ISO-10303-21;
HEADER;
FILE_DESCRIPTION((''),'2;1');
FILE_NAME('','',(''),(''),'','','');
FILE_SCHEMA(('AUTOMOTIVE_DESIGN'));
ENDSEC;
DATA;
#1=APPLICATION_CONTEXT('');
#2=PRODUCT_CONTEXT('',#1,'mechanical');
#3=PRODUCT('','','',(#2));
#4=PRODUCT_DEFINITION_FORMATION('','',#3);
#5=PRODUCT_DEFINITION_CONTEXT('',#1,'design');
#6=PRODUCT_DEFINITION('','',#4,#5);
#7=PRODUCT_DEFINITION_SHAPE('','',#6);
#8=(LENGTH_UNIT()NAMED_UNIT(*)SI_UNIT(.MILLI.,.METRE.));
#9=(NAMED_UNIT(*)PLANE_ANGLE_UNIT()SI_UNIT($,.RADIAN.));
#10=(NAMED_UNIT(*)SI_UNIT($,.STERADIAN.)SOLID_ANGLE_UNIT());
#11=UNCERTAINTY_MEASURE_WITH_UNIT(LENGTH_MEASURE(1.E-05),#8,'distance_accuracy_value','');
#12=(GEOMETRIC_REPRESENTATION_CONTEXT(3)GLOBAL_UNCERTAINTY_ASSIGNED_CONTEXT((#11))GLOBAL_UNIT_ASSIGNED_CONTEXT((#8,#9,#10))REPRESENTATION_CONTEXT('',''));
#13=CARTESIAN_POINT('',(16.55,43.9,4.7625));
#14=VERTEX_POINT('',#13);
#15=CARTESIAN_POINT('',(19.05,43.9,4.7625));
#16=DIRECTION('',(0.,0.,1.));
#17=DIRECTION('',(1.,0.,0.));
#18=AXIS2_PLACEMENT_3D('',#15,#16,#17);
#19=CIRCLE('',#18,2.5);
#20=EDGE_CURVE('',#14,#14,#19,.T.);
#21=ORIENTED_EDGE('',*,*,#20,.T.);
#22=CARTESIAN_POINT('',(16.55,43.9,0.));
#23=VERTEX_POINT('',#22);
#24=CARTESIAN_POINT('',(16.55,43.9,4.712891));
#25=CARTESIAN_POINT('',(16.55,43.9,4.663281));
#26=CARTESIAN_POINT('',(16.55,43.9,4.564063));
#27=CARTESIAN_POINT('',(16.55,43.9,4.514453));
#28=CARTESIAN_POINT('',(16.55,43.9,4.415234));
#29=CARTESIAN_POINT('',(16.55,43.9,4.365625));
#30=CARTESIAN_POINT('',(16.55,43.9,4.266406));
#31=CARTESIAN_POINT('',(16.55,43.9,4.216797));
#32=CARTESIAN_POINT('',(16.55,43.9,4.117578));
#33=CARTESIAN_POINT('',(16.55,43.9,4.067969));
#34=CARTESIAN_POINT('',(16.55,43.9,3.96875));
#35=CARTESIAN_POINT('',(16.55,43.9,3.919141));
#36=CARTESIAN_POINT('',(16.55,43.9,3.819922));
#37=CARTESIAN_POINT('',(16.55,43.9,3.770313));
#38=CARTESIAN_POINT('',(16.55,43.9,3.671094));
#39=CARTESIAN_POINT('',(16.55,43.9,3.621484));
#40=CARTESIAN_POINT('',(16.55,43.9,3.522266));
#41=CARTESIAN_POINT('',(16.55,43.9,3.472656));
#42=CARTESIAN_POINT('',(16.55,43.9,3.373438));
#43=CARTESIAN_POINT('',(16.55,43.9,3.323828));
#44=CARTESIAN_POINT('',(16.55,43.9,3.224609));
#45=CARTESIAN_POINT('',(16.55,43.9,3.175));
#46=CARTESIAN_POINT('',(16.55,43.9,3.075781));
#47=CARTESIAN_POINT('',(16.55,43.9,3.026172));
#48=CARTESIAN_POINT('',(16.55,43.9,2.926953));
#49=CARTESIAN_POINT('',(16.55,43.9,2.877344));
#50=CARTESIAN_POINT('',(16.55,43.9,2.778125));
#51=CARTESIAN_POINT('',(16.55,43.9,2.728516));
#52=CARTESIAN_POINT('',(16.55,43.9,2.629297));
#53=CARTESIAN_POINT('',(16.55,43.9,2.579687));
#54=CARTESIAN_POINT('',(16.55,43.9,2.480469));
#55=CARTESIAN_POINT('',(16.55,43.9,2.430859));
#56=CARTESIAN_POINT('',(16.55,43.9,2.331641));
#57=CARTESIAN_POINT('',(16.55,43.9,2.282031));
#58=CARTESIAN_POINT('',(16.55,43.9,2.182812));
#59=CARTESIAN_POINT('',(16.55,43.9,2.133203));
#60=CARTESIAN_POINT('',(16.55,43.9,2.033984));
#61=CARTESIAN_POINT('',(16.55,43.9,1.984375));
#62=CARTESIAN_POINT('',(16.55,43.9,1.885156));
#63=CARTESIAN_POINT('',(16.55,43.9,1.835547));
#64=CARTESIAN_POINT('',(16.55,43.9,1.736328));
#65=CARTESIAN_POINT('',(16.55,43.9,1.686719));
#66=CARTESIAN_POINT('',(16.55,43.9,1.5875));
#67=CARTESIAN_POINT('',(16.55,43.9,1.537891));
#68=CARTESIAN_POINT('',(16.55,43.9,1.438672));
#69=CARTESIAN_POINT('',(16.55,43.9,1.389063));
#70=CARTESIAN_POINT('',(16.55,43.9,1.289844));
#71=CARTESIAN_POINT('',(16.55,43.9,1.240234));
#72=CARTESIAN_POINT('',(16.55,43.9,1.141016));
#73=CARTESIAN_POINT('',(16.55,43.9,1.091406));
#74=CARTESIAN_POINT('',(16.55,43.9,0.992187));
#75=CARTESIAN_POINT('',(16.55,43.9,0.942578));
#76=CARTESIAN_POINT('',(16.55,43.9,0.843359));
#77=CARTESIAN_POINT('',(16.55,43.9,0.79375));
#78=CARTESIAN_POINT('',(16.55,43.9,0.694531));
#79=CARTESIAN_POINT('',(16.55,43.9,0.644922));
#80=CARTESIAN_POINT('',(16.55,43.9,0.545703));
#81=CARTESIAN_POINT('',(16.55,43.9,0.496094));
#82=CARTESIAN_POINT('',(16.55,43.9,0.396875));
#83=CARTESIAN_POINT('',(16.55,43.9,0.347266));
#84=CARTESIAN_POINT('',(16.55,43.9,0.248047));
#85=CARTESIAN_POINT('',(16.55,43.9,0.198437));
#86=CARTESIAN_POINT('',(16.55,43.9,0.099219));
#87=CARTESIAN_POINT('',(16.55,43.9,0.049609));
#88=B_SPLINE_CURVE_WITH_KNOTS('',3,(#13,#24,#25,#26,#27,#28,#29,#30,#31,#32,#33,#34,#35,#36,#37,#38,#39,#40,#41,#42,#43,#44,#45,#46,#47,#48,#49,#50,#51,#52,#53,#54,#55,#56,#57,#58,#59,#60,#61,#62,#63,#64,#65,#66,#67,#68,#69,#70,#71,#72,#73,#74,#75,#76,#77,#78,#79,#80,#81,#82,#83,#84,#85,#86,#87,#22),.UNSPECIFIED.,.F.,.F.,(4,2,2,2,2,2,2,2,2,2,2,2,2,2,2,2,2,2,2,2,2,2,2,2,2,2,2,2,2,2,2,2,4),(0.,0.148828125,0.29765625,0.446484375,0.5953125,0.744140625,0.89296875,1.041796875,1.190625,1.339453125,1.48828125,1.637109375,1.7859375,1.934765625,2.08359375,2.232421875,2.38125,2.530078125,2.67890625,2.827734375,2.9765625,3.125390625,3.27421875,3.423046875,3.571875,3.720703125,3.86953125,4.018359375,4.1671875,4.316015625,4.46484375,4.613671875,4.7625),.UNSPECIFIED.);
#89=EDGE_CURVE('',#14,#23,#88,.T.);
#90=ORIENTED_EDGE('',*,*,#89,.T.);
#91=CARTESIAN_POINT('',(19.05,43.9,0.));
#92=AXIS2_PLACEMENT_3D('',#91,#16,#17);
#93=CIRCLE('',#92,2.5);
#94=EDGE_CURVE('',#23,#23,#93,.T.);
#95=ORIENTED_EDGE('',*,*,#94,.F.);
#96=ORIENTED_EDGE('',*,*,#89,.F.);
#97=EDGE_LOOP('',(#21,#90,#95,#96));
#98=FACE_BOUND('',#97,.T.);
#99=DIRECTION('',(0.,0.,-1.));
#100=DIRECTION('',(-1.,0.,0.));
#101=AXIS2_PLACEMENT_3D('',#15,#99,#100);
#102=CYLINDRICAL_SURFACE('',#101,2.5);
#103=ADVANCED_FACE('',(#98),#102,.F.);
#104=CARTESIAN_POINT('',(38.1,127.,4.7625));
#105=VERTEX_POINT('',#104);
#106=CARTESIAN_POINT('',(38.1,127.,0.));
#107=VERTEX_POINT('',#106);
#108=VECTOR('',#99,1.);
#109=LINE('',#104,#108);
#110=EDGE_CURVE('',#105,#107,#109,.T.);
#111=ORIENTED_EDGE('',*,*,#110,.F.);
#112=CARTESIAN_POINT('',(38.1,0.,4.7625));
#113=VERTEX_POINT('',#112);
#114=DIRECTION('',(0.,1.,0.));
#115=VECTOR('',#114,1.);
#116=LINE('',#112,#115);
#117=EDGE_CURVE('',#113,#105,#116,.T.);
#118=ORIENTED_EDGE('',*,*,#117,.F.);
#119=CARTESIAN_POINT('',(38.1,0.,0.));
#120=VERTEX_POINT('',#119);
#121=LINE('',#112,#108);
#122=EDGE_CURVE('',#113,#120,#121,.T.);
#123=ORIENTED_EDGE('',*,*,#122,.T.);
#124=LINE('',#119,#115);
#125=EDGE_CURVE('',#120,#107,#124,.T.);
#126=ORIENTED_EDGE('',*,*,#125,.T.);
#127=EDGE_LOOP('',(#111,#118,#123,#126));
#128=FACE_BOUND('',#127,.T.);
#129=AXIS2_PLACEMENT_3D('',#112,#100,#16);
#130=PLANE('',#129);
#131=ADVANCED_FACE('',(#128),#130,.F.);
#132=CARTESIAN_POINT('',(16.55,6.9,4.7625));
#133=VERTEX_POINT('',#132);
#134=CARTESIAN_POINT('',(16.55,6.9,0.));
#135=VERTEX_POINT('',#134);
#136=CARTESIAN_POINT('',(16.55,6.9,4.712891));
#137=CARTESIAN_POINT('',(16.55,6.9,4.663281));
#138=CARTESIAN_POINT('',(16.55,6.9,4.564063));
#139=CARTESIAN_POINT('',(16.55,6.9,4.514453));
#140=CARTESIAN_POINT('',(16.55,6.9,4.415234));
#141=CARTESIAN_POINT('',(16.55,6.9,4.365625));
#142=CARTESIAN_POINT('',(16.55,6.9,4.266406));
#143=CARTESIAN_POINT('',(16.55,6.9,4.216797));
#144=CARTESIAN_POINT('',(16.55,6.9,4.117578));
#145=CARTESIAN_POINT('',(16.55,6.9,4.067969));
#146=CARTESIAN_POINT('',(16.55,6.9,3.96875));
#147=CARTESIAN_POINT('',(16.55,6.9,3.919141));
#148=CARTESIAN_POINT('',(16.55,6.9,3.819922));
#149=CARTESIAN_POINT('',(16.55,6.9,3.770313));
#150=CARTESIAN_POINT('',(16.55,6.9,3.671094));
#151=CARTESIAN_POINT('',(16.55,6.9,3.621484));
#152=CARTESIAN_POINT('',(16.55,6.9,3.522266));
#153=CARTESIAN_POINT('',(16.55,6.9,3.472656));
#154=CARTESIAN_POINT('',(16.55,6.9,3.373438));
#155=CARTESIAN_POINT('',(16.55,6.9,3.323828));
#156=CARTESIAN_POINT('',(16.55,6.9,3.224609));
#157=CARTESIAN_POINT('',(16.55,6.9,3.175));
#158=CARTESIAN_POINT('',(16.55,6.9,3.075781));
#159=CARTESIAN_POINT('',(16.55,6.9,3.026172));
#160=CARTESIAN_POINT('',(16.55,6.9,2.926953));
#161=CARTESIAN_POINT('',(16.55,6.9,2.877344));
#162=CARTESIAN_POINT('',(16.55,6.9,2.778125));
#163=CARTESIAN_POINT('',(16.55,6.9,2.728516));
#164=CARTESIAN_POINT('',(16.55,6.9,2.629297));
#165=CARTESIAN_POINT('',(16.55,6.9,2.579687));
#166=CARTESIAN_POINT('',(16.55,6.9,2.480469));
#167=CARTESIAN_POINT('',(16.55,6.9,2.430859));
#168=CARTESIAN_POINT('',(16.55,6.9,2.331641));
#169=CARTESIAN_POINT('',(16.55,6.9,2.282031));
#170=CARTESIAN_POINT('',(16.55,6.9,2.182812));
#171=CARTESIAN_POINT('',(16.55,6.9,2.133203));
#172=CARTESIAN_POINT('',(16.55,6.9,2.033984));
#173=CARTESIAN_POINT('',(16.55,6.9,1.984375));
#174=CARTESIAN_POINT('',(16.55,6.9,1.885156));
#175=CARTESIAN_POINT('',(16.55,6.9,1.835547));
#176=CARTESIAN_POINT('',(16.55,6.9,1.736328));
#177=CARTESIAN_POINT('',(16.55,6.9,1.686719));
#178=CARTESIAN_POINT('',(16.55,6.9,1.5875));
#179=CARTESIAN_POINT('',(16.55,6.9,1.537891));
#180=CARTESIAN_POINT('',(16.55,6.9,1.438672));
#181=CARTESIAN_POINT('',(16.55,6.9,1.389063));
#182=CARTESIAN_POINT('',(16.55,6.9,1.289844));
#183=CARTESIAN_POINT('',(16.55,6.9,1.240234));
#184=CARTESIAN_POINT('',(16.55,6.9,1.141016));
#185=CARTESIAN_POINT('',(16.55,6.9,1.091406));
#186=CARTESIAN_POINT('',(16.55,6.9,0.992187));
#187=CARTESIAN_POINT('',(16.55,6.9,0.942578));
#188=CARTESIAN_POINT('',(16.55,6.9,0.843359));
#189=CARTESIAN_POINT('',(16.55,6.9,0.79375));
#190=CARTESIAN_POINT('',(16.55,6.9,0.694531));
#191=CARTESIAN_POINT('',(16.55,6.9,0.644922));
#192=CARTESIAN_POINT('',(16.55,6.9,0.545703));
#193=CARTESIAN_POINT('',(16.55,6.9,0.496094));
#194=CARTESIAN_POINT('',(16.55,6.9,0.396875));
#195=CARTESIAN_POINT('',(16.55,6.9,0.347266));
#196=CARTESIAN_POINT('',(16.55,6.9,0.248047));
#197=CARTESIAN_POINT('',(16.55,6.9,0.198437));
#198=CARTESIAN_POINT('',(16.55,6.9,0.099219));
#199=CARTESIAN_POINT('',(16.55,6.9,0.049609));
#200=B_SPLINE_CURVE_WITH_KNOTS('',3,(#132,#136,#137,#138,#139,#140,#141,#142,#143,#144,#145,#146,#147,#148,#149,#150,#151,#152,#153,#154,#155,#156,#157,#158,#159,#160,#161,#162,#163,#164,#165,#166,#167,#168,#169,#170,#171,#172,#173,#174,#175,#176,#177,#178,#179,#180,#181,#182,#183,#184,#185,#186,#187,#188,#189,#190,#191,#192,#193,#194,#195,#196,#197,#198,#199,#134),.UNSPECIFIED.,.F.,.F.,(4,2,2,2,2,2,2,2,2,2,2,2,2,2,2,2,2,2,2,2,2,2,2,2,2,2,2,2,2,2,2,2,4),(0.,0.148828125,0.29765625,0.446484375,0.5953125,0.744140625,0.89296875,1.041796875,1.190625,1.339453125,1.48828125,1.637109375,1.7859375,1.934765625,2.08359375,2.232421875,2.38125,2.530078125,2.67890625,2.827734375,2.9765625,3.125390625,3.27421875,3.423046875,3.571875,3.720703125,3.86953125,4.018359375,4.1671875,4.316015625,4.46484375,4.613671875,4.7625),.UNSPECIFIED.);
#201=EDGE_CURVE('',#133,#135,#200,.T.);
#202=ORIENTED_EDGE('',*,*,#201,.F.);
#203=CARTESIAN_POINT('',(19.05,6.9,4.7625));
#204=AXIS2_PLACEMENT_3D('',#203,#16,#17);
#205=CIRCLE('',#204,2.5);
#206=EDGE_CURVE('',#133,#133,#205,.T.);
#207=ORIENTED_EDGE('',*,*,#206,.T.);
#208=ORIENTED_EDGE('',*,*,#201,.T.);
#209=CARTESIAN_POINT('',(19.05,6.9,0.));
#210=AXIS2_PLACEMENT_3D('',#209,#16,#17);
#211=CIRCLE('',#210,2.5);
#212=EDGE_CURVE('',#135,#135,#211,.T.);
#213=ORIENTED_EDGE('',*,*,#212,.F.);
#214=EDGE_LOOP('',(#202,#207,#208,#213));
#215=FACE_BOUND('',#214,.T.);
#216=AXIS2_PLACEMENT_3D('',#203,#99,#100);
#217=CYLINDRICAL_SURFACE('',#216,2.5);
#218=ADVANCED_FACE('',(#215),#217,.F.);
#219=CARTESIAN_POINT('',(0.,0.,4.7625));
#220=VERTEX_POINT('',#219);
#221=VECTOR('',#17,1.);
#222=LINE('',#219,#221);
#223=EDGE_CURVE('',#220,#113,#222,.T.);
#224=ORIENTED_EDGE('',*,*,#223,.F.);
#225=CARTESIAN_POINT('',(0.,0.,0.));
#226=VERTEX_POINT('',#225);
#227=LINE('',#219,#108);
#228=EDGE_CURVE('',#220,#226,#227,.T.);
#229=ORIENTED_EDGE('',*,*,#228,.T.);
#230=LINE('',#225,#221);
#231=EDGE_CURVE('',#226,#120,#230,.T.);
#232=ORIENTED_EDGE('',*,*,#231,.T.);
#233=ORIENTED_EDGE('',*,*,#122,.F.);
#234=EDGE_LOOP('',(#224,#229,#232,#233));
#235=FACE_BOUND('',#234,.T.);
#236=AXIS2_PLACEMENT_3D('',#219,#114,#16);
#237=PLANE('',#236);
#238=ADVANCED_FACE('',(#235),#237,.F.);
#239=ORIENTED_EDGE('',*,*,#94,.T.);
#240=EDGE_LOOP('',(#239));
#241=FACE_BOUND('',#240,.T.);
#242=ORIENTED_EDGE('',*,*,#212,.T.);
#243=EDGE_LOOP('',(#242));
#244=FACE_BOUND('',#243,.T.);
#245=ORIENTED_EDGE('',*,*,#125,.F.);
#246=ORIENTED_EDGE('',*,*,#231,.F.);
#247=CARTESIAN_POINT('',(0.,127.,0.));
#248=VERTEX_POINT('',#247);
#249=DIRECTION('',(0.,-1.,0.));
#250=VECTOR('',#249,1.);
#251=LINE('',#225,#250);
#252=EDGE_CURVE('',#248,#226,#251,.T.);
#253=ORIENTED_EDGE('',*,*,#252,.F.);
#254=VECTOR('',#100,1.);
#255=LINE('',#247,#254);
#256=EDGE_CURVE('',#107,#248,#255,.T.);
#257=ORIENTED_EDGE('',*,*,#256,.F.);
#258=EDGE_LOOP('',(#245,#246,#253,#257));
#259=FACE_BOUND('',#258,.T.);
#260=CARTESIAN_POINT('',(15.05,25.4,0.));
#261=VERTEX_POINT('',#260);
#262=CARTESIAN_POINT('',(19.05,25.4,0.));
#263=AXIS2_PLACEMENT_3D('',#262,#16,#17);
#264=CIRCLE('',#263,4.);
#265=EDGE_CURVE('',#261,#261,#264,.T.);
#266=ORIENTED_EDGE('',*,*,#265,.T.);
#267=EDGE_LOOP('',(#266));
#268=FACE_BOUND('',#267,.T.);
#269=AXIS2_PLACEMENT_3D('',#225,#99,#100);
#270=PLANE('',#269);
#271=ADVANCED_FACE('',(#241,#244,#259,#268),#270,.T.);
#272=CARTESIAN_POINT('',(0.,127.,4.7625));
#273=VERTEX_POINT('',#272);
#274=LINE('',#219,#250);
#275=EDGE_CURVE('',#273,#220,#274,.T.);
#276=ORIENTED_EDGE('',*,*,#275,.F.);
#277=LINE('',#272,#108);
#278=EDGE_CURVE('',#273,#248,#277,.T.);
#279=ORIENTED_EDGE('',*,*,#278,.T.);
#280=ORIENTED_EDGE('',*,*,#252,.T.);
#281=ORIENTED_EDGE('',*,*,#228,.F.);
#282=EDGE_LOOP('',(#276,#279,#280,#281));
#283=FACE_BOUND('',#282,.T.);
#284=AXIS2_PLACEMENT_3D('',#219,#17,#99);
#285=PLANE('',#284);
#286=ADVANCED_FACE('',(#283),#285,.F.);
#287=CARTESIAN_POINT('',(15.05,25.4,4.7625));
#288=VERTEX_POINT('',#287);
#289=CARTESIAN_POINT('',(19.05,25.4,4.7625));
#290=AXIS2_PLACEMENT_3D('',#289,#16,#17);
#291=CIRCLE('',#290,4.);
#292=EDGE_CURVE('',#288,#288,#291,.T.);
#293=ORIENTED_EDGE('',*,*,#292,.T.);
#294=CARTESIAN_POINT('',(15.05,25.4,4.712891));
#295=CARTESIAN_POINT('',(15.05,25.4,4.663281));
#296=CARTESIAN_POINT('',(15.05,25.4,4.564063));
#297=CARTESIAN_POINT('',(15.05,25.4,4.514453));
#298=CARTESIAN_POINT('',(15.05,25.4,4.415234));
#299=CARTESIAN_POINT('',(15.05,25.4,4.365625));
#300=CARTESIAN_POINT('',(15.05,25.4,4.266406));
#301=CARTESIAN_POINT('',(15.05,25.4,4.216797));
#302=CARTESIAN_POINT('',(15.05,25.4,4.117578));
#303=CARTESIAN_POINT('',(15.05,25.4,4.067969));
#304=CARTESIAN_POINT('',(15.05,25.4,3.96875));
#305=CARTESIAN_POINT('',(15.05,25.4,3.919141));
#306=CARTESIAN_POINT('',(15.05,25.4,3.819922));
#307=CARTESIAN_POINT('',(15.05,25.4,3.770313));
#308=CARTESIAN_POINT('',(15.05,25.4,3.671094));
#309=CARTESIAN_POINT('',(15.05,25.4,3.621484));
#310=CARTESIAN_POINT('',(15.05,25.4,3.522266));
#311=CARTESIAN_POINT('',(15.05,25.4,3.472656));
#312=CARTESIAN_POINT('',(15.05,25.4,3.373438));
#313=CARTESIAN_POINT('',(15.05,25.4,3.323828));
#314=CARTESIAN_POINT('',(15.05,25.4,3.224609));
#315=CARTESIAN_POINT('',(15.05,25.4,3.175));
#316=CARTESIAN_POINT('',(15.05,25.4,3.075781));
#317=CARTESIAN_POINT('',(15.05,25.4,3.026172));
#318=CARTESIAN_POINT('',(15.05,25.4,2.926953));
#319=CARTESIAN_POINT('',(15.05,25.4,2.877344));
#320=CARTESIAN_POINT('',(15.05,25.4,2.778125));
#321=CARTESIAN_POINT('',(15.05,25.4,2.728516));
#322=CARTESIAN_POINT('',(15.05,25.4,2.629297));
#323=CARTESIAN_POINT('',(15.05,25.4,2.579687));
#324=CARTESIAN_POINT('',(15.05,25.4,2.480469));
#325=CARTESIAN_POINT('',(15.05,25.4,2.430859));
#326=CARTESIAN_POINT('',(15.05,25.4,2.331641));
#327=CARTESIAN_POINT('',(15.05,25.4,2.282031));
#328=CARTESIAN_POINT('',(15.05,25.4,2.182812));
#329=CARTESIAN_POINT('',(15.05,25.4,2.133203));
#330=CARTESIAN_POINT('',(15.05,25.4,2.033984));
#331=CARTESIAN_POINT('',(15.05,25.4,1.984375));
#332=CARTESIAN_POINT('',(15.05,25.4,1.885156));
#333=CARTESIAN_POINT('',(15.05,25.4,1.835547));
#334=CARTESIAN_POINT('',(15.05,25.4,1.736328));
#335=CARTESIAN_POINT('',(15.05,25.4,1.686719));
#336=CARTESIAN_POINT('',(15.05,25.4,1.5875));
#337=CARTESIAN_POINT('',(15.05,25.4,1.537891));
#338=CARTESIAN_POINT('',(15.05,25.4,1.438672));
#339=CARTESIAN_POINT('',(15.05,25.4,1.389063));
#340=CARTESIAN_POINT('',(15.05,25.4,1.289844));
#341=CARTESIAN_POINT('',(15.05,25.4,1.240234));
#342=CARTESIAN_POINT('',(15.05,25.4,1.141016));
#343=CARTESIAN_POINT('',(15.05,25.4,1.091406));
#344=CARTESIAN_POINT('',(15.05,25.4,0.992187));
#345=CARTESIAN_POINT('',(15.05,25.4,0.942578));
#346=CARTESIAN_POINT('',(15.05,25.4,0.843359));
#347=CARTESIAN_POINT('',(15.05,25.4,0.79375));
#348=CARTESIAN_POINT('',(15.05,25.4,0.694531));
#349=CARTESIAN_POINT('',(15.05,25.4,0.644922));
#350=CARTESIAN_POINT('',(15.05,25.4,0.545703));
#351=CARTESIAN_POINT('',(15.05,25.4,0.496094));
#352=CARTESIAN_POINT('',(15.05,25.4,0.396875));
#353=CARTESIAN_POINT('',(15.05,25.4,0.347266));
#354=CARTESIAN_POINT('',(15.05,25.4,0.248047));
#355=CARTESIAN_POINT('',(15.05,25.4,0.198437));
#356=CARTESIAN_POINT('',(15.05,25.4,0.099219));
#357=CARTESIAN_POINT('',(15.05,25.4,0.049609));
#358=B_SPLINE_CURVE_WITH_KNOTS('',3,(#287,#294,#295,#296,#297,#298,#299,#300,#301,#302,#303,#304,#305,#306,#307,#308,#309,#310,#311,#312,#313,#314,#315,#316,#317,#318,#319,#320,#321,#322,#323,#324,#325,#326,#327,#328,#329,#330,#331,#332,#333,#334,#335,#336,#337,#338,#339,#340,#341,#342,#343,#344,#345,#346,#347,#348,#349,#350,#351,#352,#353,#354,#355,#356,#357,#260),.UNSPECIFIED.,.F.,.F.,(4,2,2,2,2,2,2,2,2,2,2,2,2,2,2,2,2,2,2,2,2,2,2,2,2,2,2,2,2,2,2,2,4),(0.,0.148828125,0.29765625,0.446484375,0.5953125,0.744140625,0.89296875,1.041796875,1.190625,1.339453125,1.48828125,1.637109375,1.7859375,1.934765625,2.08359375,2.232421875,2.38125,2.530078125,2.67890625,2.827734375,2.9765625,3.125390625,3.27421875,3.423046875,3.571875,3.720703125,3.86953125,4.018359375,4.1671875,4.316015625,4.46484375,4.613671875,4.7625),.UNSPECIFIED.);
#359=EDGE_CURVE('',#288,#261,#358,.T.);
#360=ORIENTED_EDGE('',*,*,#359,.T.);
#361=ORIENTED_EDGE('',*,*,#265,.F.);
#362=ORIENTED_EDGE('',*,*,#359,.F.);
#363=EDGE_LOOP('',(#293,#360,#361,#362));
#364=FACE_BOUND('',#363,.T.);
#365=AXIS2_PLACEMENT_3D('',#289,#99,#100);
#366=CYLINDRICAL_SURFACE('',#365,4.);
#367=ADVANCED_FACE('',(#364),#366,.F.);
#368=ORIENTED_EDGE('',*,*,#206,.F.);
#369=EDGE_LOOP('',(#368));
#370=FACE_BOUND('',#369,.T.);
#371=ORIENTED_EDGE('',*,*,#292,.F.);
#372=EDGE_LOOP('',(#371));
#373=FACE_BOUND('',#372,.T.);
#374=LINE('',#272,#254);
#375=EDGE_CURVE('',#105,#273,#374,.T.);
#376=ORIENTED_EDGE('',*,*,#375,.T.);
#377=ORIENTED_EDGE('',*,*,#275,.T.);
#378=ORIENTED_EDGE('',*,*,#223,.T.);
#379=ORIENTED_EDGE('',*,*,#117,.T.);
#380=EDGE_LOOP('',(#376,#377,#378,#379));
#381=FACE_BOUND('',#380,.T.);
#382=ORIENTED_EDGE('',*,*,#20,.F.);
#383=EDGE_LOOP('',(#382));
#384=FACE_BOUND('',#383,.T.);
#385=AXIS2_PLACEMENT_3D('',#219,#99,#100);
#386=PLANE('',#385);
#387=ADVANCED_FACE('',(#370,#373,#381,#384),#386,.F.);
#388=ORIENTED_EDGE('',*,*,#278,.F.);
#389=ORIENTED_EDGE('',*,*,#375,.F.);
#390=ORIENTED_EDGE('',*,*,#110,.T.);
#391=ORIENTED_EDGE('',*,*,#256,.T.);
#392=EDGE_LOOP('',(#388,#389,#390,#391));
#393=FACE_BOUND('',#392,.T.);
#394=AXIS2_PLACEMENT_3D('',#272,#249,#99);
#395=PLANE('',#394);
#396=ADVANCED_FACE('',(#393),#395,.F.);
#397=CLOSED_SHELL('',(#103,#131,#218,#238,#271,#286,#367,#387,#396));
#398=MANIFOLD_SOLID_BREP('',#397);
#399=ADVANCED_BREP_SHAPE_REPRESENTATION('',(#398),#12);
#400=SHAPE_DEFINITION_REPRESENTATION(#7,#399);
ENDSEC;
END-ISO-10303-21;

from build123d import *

# Parameters (mm, degrees)
SKETCH1_W           = 38.1
SKETCH1_H           = 127
SKETCH1_R           = 4
SKETCH1_R_2         = 2.5
BOSS_EXTRUDE1_DEPTH = 4.7625


with BuildPart() as part:
    # Sketch1 → Boss-Extrude1 (new body)
    with BuildSketch(Plane.XY):
        with Locations((19.05, 63.5)):
            Rectangle(SKETCH1_W, SKETCH1_H)
        with Locations(Location((19.05, 25.4, 0), (0, 0, 180))):
            Circle(SKETCH1_R, mode=Mode.SUBTRACT)
        with Locations(Location((19.05, 6.9, 0), (0, 0, 180))):
            Circle(SKETCH1_R_2, mode=Mode.SUBTRACT)
        with Locations(Location((19.05, 43.9, 0), (0, 0, 180))):
            Circle(SKETCH1_R_2, mode=Mode.SUBTRACT)
    extrude(amount=BOSS_EXTRUDE1_DEPTH)


solid = part.part
